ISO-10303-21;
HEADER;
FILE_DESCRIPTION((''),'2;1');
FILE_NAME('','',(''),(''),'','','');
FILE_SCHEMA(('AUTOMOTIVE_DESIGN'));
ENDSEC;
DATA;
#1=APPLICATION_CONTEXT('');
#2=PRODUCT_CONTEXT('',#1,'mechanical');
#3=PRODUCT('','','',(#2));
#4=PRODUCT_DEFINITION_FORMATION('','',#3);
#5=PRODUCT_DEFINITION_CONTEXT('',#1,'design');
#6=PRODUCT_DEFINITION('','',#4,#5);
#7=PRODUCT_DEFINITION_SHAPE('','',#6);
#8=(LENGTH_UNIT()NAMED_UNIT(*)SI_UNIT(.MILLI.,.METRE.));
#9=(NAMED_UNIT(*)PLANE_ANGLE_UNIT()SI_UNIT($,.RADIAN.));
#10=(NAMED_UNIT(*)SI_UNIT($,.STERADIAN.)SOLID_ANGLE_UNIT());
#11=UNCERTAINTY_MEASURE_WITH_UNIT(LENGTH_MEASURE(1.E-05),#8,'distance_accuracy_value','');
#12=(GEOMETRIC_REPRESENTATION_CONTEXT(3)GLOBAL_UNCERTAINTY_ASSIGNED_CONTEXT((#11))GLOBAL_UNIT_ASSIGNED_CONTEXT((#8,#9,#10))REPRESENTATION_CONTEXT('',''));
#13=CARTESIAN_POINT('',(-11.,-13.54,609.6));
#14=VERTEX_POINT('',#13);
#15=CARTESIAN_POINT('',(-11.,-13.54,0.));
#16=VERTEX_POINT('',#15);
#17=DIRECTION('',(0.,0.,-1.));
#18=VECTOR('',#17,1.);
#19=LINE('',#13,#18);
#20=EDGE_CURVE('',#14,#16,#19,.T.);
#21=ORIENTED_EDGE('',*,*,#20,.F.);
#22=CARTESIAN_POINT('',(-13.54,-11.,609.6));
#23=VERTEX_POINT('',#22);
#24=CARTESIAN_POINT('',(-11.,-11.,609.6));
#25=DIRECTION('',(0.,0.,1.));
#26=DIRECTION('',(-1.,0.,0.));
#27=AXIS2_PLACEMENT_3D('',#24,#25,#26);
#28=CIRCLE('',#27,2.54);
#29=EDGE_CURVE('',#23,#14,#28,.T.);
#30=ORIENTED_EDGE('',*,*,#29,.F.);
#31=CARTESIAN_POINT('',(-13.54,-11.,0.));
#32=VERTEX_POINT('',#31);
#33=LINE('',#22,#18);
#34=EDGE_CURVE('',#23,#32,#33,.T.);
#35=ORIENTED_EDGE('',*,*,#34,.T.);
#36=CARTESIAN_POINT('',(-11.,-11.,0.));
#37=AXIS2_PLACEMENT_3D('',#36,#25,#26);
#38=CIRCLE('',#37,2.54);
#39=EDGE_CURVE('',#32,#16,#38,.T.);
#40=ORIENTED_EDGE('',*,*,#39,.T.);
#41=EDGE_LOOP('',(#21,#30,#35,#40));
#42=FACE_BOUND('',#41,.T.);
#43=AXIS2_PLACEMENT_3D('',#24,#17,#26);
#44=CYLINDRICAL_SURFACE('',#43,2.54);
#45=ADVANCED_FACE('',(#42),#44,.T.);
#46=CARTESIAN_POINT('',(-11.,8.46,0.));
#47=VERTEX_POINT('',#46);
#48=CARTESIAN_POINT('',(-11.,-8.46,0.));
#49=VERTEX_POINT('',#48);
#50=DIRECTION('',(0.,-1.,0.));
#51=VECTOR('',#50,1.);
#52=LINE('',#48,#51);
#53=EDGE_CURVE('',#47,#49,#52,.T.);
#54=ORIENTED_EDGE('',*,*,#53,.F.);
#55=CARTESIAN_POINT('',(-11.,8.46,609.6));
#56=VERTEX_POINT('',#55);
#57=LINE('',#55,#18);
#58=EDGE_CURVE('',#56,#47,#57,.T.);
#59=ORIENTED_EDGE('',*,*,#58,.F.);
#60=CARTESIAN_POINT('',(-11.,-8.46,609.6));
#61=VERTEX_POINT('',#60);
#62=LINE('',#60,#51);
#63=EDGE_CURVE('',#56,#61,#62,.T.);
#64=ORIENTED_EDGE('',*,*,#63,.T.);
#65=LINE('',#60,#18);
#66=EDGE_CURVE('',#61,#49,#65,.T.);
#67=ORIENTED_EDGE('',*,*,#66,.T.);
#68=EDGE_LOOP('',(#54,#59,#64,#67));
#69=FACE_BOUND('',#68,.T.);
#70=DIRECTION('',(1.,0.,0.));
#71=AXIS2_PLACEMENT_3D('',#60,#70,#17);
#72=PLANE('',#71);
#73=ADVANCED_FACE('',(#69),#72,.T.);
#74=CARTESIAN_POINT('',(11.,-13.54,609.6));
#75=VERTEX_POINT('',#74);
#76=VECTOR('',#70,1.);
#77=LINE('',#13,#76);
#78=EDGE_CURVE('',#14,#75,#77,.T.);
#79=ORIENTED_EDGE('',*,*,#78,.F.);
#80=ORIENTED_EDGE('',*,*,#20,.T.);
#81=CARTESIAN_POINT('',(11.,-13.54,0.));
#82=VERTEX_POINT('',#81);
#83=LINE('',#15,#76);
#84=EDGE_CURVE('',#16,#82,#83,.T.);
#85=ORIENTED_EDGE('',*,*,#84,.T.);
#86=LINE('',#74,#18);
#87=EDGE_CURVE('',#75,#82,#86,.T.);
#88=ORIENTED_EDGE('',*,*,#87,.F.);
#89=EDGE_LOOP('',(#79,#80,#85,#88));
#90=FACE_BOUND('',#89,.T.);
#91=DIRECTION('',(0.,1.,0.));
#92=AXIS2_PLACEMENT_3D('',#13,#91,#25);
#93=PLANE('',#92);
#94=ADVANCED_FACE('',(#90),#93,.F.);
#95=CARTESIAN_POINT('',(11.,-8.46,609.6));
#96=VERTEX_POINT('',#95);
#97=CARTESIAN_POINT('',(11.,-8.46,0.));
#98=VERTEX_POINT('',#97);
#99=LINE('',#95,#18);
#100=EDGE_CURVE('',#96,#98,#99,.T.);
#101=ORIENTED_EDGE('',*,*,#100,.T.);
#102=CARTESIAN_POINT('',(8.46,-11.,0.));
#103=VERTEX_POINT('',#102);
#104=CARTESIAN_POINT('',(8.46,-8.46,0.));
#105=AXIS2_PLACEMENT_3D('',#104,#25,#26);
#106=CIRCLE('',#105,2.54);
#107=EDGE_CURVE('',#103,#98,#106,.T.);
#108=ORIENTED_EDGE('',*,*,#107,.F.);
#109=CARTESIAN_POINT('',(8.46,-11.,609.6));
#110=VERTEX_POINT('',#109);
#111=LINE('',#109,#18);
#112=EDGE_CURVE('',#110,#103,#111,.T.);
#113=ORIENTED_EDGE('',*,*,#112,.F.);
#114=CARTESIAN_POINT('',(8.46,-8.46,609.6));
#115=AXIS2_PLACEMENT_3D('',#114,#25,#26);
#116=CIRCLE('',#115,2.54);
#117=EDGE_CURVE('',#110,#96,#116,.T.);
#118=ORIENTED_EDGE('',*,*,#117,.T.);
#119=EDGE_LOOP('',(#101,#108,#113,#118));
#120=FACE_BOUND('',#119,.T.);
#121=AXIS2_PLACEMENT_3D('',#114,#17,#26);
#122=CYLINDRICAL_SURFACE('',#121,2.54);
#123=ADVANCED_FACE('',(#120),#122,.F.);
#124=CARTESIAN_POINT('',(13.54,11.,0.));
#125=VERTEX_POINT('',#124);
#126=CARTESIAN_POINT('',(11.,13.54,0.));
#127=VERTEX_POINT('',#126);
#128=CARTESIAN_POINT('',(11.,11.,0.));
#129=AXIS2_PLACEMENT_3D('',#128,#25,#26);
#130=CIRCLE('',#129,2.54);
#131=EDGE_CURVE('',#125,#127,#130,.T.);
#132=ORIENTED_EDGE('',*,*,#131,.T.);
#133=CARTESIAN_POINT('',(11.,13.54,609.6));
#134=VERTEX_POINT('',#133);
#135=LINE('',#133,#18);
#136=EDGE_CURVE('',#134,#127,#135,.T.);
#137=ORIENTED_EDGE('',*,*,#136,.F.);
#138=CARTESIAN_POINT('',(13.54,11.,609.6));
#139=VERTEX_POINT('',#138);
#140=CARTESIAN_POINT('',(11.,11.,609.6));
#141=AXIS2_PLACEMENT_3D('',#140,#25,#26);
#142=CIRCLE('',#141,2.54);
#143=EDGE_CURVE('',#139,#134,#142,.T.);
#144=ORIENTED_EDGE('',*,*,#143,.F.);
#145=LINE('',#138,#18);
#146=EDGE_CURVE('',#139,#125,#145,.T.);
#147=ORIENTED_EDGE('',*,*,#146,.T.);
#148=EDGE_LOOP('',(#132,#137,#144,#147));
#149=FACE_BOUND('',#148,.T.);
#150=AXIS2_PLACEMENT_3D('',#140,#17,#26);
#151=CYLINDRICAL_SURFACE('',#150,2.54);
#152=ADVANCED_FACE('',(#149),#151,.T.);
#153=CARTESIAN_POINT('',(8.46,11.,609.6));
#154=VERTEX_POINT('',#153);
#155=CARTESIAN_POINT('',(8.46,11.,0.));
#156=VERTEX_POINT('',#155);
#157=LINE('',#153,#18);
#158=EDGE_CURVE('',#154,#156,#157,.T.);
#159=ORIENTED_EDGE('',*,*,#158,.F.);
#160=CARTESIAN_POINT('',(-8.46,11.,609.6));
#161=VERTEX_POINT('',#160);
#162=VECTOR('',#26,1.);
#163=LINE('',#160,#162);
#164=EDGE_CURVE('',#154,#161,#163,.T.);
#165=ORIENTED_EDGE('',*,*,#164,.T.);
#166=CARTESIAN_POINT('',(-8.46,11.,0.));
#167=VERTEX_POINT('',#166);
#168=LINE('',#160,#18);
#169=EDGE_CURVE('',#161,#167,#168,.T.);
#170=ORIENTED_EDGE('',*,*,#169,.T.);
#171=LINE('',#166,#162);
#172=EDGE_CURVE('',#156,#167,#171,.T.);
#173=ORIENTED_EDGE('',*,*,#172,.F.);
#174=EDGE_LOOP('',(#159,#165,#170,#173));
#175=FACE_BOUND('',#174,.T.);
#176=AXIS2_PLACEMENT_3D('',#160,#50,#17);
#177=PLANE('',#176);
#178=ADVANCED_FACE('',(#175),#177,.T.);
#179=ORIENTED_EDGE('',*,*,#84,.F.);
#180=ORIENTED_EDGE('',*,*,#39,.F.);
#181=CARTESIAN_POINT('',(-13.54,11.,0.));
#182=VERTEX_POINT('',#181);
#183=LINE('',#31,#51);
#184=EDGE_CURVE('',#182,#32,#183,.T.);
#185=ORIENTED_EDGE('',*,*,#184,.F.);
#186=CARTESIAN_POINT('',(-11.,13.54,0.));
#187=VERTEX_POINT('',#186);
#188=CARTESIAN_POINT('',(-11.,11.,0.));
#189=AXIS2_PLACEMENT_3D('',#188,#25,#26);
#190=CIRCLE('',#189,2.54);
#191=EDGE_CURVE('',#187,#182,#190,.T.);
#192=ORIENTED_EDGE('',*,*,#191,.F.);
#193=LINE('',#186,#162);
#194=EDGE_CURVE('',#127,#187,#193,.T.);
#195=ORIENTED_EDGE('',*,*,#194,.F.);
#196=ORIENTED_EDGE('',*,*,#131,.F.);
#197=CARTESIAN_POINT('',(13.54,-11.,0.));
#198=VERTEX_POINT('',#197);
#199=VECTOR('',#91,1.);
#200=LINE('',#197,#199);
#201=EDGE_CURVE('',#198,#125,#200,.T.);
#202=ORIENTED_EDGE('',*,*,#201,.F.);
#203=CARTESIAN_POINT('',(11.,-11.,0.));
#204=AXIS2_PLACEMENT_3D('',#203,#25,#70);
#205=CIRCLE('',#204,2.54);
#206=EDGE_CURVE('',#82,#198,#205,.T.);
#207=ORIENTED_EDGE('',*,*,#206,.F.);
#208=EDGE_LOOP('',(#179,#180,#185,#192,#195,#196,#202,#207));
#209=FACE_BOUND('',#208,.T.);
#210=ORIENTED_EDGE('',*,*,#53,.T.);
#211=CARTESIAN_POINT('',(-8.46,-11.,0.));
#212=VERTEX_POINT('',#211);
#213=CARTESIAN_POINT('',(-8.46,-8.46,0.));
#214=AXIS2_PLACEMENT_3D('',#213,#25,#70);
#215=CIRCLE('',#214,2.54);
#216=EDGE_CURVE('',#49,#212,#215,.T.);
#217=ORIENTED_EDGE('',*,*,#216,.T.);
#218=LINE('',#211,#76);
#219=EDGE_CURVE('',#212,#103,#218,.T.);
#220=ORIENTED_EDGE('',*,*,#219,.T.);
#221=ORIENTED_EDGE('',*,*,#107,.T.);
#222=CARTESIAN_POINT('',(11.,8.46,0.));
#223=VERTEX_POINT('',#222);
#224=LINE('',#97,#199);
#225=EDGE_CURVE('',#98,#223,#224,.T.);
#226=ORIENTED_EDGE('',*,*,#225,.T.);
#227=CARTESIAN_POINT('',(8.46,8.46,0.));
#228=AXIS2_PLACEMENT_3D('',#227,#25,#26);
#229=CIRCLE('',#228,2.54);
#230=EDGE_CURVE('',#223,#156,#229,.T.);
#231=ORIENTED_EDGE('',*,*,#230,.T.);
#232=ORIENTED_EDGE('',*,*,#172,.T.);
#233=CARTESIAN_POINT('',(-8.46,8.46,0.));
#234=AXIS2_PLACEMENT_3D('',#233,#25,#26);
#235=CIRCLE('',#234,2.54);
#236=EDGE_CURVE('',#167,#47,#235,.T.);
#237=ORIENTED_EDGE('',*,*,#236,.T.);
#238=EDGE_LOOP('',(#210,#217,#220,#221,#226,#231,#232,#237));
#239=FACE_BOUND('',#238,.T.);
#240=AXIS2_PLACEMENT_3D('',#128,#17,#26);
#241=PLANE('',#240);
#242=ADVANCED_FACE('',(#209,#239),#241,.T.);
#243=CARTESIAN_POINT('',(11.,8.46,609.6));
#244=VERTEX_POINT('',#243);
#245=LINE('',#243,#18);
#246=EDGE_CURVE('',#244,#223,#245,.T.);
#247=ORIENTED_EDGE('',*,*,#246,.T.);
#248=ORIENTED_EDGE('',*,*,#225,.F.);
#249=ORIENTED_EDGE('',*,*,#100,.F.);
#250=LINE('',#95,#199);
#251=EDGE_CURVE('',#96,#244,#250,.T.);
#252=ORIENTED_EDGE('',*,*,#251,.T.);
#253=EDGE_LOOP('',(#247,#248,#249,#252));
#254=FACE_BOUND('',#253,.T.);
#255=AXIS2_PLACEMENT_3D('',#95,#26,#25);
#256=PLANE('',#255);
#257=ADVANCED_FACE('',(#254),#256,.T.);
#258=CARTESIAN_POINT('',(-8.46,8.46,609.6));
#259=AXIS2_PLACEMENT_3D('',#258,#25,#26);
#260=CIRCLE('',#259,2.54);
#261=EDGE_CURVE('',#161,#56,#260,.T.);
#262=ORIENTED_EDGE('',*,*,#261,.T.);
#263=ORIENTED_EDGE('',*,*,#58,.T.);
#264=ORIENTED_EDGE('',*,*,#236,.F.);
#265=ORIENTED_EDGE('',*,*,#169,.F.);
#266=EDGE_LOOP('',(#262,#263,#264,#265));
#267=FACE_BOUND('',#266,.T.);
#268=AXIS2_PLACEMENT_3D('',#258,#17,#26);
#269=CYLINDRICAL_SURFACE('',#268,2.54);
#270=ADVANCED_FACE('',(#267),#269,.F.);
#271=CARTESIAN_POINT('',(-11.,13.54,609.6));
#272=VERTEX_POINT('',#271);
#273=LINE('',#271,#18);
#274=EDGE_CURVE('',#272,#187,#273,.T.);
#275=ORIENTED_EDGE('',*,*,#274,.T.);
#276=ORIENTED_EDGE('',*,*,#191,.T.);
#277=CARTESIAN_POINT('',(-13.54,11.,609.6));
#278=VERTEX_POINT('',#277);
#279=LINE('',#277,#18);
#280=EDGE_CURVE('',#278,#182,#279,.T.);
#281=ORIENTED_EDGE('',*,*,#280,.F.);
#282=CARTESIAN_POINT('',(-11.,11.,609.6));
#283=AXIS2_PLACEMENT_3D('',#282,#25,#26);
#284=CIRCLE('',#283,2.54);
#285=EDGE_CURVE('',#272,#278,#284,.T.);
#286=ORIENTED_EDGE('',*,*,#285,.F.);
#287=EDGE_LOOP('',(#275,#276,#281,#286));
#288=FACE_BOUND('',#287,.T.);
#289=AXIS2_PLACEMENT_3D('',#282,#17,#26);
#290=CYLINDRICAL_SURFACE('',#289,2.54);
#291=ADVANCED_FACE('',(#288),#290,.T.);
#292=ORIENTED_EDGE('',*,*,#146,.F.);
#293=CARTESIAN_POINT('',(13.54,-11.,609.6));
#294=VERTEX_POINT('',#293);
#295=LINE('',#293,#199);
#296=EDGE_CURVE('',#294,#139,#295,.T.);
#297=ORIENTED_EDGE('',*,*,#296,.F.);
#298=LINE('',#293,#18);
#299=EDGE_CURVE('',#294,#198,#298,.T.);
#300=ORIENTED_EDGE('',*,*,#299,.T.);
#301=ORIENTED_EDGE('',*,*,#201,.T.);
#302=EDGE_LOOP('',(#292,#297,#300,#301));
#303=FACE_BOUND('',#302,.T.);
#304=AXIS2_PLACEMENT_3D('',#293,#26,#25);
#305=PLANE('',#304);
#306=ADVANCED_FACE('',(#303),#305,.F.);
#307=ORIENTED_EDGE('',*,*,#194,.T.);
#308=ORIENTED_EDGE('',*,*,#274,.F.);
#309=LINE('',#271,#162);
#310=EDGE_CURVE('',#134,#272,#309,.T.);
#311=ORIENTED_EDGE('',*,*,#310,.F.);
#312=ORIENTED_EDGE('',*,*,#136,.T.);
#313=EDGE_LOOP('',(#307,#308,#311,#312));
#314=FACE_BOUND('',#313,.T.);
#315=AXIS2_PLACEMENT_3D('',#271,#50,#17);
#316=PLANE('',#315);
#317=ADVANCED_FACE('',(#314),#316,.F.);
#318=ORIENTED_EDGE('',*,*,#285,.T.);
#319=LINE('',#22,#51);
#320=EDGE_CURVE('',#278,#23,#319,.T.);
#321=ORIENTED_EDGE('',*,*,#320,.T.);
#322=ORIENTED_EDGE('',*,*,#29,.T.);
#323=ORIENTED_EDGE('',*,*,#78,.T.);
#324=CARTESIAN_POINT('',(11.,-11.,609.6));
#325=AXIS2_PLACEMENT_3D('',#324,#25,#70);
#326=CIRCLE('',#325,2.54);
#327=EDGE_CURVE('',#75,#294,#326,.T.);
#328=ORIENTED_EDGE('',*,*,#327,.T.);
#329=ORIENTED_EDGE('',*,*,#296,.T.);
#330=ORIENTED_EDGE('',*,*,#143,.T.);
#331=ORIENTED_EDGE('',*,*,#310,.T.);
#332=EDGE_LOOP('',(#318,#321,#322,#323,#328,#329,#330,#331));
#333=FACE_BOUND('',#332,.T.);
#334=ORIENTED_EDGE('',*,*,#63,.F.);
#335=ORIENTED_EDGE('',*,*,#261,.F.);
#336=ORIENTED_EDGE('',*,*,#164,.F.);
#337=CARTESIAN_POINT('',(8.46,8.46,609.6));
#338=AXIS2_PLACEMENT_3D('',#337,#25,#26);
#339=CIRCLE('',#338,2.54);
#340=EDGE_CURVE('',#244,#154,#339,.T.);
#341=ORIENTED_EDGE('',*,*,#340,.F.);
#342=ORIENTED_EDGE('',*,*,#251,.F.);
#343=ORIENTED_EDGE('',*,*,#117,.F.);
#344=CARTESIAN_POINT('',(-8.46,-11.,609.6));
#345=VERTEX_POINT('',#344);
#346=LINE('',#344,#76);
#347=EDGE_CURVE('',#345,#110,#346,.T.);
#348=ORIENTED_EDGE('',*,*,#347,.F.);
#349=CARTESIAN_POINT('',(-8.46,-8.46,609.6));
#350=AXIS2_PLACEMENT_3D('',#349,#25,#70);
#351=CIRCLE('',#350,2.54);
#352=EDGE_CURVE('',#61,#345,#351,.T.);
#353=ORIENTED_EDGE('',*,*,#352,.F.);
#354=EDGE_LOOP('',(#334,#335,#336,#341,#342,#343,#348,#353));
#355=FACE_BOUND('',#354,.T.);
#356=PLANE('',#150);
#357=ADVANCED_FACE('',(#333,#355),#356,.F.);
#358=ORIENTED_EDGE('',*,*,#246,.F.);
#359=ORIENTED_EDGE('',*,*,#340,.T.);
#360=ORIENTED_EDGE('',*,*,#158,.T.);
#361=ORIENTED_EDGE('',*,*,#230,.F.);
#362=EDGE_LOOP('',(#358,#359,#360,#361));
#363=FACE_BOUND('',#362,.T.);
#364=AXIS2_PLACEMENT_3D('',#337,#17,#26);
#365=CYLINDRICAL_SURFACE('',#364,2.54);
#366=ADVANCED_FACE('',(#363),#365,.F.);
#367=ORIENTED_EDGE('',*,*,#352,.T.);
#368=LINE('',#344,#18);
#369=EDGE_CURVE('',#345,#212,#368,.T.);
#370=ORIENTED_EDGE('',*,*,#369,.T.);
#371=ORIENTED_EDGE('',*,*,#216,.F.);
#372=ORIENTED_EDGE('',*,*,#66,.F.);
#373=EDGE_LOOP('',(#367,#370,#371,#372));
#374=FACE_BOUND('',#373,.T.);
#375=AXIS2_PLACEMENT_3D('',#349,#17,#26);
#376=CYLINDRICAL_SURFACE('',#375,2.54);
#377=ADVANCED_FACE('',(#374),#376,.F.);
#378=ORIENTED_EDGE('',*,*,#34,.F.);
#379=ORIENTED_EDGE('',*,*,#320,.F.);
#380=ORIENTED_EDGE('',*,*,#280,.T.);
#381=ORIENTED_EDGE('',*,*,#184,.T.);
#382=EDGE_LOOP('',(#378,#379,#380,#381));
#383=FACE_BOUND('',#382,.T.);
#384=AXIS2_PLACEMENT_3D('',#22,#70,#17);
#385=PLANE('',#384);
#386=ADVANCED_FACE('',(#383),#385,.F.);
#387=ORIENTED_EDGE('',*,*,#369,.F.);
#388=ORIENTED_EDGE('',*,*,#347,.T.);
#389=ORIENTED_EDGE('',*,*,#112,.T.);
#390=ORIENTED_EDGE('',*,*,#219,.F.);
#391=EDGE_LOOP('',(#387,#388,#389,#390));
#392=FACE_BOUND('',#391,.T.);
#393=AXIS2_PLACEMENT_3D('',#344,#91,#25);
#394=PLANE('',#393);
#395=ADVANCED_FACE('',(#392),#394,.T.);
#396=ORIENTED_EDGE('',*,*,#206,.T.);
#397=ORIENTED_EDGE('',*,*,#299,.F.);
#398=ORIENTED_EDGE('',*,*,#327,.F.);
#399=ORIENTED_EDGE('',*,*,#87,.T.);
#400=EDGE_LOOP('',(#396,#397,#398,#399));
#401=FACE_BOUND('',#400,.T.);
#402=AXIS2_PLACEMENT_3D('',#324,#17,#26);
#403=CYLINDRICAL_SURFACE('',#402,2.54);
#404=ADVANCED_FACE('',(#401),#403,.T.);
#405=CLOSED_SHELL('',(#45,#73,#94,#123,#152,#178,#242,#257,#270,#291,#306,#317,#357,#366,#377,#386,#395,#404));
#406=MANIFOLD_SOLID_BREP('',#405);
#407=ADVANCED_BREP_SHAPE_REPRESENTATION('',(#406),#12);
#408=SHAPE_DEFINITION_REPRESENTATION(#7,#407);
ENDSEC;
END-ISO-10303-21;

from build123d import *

# Parameters (mm, degrees)
BOSS_EXTRUDE1_DEPTH = 609.6


with BuildPart() as part:
    # Sketch1 → Boss-Extrude1 (new body)
    with BuildSketch(Plane.XY):
        with BuildLine():
            Line((-11, -13.54), (11, -13.54))
            ThreePointArc((11, -13.54), (12.796051224, -12.796051224), (13.54, -11))
            Line((13.54, -11), (13.54, 11))
            ThreePointArc((13.54, 11), (12.796051224, 12.796051224), (11, 13.54))
            Line((11, 13.54), (-11, 13.54))
            ThreePointArc((-11, 13.54), (-12.796051224, 12.796051224), (-13.54, 11))
            Line((-13.54, 11), (-13.54, -11))
            ThreePointArc((-13.54, -11), (-12.796051224, -12.796051224), (-11, -13.54))
        make_face()
        with BuildLine():
            Line((-8.46, -11), (8.46, -11))
            ThreePointArc((8.46, -11), (10.256051224, -10.256051224), (11, -8.46))
            Line((11, -8.46), (11, 8.46))
            ThreePointArc((11, 8.46), (10.256051224, 10.256051224), (8.46, 11))
            Line((8.46, 11), (-8.46, 11))
            ThreePointArc((-8.46, 11), (-10.256051224, 10.256051224), (-11, 8.46))
            Line((-11, 8.46), (-11, -8.46))
            ThreePointArc((-11, -8.46), (-10.256051224, -10.256051224), (-8.46, -11))
        make_face(mode=Mode.SUBTRACT)
    extrude(amount=BOSS_EXTRUDE1_DEPTH)


solid = part.part
